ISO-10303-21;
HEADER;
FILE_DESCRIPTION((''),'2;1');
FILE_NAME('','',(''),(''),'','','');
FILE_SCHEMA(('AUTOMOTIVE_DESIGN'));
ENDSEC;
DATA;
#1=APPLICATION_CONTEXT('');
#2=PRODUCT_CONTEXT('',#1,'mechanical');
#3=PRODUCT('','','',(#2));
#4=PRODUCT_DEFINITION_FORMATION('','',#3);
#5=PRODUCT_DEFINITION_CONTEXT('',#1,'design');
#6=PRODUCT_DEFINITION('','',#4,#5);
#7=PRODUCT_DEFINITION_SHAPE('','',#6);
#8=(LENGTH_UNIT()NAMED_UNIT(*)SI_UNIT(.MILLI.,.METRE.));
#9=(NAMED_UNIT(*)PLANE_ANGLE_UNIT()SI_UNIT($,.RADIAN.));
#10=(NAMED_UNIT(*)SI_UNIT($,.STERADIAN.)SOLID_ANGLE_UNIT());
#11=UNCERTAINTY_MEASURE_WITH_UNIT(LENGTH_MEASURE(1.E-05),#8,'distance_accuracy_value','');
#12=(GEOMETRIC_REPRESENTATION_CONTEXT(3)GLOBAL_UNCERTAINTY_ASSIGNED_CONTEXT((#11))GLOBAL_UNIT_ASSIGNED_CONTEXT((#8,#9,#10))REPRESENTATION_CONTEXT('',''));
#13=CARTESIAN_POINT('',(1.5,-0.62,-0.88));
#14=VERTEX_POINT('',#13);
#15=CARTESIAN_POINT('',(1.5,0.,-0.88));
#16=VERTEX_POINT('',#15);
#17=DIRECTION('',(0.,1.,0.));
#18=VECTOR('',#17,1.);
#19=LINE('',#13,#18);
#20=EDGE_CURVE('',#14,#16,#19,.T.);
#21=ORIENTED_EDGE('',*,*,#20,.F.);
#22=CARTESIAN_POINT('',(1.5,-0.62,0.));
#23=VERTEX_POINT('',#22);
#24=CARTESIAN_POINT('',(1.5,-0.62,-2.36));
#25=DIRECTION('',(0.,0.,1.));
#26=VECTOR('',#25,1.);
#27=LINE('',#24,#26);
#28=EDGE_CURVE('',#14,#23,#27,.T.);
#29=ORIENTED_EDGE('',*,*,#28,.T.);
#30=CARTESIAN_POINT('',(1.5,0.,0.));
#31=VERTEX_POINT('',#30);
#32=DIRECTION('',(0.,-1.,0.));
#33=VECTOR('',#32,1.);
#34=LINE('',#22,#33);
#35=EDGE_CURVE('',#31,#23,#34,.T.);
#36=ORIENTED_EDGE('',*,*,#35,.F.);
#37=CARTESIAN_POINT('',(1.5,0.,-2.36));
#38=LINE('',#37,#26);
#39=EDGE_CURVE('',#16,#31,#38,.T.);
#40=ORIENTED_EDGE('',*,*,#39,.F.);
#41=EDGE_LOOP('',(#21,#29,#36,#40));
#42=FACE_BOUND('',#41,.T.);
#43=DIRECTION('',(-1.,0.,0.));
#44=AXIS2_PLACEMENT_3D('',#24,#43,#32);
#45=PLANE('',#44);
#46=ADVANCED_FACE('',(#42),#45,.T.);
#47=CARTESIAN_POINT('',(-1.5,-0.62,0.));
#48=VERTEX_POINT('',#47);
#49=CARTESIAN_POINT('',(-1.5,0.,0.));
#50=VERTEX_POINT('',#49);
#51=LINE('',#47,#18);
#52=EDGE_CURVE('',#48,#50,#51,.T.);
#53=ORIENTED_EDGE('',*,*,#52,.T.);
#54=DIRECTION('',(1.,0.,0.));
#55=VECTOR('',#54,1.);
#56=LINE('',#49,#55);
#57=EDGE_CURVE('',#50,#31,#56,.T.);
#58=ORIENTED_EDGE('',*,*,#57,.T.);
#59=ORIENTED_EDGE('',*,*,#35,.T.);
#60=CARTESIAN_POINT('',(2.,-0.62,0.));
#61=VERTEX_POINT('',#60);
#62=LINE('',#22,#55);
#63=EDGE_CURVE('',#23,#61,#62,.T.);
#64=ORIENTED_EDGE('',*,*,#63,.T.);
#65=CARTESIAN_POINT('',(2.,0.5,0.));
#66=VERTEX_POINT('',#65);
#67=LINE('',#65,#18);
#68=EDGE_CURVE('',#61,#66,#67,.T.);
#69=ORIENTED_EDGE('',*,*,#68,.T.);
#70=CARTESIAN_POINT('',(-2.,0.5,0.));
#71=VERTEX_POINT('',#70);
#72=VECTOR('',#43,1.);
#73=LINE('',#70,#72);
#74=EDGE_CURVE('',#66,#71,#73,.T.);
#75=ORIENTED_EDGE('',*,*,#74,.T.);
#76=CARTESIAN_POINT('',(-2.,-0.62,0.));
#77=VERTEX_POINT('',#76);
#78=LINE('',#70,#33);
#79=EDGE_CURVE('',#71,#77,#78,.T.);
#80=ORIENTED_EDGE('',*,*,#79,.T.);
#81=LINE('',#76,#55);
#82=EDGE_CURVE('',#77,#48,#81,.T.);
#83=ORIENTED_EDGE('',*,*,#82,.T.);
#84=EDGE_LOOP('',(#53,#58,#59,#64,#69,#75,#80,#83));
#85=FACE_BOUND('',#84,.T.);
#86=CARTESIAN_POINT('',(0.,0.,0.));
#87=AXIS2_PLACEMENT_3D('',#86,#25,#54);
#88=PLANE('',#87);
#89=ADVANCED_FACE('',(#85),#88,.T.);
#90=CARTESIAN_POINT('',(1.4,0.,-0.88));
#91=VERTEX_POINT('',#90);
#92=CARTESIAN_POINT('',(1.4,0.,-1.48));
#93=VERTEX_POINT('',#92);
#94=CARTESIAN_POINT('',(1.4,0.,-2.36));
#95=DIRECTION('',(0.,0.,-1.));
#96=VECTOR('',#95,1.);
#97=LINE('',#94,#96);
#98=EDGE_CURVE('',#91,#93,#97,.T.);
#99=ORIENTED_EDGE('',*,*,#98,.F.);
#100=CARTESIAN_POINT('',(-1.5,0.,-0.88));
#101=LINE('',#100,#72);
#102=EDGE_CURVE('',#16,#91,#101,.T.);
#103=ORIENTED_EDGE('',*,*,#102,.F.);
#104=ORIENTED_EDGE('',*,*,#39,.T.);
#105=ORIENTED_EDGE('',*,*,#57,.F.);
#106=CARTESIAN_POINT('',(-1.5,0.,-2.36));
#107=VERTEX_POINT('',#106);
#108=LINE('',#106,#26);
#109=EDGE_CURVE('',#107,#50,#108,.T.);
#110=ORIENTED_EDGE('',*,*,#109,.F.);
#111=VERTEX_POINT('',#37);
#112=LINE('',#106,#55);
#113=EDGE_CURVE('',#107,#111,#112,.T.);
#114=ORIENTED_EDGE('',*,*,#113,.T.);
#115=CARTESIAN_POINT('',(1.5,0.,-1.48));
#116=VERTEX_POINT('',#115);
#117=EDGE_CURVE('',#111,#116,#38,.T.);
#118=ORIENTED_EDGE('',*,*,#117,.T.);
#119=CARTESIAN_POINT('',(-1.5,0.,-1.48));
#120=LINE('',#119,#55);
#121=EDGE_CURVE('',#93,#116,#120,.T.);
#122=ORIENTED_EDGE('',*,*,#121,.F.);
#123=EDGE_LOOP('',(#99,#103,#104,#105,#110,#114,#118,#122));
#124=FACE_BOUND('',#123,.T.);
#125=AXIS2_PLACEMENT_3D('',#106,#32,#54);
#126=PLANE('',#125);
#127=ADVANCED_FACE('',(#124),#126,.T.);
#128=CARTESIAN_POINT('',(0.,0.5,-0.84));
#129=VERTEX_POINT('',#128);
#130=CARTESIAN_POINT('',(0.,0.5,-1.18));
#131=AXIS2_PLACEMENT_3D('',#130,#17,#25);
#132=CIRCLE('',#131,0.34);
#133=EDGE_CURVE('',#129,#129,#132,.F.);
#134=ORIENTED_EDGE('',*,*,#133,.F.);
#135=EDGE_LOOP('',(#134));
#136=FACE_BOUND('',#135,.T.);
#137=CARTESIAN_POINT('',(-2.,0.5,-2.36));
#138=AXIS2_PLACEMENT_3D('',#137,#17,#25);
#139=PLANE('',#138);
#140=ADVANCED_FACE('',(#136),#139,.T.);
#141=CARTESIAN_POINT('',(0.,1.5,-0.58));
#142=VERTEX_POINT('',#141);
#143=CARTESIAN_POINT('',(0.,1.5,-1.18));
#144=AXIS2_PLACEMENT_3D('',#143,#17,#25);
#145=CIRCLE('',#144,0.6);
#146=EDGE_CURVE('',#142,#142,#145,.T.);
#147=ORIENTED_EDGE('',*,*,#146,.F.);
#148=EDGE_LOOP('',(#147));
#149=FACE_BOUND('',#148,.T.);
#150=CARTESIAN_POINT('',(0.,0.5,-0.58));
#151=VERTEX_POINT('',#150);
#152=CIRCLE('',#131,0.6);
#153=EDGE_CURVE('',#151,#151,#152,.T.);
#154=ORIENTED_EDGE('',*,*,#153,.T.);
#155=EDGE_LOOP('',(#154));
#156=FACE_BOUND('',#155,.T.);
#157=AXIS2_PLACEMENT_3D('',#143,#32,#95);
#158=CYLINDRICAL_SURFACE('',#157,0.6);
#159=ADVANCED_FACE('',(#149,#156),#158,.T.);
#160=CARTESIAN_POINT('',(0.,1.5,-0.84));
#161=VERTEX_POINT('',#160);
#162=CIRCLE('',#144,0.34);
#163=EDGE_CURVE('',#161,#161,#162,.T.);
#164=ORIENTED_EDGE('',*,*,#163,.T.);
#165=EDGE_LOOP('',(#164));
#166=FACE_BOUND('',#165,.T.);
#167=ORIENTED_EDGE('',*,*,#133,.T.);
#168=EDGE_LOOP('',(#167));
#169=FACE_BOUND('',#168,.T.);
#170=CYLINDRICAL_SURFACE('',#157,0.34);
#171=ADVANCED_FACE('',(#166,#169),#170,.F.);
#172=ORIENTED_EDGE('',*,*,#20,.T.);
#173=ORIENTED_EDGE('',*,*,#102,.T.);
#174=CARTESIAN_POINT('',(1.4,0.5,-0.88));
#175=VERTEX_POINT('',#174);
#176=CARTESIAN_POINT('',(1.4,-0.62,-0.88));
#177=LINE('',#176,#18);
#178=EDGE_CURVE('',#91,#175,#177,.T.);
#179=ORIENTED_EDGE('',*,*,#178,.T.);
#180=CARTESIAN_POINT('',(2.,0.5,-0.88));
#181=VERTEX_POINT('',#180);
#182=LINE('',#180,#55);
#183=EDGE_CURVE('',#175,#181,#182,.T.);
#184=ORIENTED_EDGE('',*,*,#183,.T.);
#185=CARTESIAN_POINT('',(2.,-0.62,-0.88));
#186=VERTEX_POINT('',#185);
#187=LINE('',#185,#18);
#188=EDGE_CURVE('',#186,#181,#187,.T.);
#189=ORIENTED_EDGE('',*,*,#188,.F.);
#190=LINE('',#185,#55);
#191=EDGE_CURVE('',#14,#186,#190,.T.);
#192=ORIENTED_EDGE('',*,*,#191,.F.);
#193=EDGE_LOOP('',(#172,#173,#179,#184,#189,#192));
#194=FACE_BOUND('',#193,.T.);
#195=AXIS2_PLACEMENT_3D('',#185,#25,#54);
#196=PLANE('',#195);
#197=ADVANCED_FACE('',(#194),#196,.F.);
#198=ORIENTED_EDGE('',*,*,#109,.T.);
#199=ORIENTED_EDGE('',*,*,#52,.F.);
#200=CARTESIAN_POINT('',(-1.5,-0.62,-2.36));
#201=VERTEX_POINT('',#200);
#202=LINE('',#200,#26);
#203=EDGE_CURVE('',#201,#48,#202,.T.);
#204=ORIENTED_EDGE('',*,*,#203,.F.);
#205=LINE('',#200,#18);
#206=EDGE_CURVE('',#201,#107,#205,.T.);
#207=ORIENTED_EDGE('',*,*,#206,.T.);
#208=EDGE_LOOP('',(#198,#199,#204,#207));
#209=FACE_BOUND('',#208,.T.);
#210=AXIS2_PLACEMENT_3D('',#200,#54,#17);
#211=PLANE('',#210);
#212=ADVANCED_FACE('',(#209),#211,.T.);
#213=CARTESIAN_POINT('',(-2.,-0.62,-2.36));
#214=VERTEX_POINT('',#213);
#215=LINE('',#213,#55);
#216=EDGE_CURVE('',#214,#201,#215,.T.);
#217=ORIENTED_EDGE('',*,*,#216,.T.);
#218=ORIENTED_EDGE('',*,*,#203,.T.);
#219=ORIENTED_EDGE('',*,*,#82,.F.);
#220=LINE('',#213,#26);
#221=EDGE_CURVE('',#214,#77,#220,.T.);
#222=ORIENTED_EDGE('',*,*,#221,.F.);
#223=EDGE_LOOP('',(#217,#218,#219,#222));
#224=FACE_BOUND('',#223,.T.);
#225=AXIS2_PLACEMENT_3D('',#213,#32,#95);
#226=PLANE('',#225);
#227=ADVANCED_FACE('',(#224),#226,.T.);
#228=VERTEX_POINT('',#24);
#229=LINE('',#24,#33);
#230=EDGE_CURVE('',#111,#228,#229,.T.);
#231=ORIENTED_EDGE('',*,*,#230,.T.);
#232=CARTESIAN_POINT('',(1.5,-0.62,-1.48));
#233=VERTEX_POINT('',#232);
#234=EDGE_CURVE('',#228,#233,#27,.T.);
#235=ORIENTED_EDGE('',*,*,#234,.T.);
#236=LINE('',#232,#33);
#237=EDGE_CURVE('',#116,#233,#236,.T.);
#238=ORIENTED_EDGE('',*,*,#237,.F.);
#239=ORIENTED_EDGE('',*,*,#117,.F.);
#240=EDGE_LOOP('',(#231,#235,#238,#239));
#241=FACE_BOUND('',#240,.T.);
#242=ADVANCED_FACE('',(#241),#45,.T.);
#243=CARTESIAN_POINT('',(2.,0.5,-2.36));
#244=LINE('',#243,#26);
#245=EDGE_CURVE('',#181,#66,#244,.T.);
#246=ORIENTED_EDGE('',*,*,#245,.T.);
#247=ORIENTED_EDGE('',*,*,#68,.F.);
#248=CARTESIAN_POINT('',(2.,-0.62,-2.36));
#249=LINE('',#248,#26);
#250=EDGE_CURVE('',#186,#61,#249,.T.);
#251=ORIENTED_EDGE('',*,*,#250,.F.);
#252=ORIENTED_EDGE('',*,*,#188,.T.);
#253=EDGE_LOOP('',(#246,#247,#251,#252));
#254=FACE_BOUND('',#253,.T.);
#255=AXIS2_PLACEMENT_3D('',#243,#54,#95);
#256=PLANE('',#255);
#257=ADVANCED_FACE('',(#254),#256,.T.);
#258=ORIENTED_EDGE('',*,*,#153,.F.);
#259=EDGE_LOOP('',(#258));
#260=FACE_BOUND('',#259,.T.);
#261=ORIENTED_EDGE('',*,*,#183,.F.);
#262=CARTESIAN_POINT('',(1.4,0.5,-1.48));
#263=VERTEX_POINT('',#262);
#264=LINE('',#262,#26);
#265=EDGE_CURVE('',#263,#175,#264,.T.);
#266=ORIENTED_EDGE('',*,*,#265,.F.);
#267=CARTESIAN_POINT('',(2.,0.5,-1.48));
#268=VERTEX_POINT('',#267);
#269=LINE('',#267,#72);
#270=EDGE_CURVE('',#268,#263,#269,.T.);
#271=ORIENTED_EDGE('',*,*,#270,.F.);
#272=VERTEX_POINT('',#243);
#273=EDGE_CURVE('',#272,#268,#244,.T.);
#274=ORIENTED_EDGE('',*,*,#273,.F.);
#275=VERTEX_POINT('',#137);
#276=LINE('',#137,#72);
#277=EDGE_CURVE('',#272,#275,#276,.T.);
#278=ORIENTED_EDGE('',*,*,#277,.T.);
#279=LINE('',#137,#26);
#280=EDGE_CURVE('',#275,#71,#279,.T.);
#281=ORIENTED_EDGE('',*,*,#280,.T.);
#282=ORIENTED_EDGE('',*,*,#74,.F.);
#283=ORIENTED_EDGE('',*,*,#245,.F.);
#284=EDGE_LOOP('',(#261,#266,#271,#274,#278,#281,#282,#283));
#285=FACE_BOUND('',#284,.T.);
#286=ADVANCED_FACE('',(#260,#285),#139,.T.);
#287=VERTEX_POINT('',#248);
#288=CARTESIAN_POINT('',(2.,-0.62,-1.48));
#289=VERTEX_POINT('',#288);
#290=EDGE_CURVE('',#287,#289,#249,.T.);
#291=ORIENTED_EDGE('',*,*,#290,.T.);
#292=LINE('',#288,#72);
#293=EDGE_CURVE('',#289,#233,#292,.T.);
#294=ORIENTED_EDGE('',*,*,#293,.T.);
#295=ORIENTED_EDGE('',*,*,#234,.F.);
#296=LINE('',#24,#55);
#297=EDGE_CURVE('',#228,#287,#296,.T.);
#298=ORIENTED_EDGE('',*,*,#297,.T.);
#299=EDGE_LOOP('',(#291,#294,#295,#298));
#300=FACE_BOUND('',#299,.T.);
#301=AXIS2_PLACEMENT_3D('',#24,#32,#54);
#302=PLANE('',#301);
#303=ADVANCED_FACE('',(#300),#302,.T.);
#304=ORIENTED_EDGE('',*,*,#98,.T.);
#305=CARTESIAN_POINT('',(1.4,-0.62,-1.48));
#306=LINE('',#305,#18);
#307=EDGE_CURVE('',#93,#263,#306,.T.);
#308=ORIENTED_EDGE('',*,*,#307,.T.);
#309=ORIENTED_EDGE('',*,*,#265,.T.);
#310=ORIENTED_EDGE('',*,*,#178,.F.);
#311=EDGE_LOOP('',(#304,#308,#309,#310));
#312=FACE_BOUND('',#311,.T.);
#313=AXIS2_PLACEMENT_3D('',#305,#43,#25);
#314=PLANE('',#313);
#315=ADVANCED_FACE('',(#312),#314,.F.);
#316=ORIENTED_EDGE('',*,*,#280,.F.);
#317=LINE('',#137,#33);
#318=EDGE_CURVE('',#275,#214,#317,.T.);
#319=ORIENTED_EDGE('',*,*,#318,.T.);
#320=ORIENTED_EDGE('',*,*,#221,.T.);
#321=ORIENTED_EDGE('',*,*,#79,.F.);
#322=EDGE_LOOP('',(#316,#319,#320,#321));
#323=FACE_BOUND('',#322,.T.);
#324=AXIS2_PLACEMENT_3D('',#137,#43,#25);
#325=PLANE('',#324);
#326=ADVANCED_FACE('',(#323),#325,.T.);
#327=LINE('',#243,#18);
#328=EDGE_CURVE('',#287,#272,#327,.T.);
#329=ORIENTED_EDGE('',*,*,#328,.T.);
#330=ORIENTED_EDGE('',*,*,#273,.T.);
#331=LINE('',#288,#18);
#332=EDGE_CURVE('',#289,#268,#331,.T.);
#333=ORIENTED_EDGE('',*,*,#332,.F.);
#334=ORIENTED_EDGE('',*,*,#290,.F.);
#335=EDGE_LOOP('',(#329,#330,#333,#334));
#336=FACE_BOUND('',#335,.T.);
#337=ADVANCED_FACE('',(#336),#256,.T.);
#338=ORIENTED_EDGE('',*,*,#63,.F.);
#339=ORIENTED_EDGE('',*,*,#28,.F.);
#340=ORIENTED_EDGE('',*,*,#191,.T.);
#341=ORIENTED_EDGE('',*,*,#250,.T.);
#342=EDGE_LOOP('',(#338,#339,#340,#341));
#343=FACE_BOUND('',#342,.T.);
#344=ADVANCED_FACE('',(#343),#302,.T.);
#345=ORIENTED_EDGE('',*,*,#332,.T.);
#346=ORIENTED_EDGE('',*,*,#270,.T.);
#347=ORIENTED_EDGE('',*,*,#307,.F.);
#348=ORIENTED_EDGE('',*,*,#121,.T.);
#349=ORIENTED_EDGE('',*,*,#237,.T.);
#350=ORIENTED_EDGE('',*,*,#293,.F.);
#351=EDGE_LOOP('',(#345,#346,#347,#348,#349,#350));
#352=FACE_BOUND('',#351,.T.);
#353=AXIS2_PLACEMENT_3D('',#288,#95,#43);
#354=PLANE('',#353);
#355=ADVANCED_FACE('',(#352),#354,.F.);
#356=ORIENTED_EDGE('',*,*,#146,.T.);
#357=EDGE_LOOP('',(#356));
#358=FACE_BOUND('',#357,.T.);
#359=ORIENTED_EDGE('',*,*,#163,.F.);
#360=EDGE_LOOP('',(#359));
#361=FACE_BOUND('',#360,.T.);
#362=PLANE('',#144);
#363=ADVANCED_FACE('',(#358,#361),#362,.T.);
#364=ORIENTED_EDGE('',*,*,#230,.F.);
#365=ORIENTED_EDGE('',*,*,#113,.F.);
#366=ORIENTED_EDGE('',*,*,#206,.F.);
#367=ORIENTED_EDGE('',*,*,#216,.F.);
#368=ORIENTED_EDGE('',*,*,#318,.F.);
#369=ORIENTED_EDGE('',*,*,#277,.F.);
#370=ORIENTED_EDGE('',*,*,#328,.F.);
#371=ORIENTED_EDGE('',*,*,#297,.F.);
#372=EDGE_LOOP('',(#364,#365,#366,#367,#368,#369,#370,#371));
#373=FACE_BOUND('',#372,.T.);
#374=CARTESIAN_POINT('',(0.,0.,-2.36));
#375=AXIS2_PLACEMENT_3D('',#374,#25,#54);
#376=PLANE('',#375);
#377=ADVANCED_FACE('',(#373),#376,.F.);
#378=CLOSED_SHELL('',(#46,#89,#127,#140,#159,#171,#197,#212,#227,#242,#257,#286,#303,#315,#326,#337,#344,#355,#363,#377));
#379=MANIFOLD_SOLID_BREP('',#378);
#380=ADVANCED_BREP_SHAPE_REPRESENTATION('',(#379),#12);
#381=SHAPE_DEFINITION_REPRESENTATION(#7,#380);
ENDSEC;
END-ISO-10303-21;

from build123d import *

# Parameters (mm, degrees)
SALIENTE_EXTRUIR1_DEPTH = 2.36
CROQUIS2_W              = 0.6
CROQUIS2_H              = 0.6
CORTAR_EXTRUIR2_DEPTH   = 4.289984802
CROQUIS3_R              = 0.6
CROQUIS3_R_2            = 0.34
SALIENTE_EXTRUIR2_DEPTH = 1


with BuildPart() as part:
    # Croquis1 → Saliente-Extruir1 (new body)
    with BuildSketch(Plane.XY):
        Polygon((1.5, -0.62), (2, -0.62), (2, 0.5), (-2, 0.5), (-2, -0.62), (-1.5, -0.62), (-1.5, 0), (1.5, 0), align=None)
    extrude(amount=-SALIENTE_EXTRUIR1_DEPTH)

    # Croquis2 → Cortar-Extruir2 (cut, through all)
    with BuildSketch(Plane(origin=(0, 0.5, 0), x_dir=(1, 0, 0), z_dir=(0, 1, 0))):
        with Locations((1.7, 1.18)):
            Rectangle(CROQUIS2_W, CROQUIS2_H)
    extrude(amount=-CORTAR_EXTRUIR2_DEPTH, mode=Mode.SUBTRACT)

    # Croquis3 → Saliente-Extruir2 (add)
    with BuildSketch(Plane(origin=(0, 0.5, 0), x_dir=(1, 0, 0), z_dir=(0, 1, 0))):
        with Locations(Location((0, 1.18, 0), (0, 0, 270))):
            Circle(CROQUIS3_R)
        with Locations(Location((0, 1.18, 0), (0, 0, 270))):
            Circle(CROQUIS3_R_2, mode=Mode.SUBTRACT)
    extrude(amount=SALIENTE_EXTRUIR2_DEPTH)


solid = part.part
